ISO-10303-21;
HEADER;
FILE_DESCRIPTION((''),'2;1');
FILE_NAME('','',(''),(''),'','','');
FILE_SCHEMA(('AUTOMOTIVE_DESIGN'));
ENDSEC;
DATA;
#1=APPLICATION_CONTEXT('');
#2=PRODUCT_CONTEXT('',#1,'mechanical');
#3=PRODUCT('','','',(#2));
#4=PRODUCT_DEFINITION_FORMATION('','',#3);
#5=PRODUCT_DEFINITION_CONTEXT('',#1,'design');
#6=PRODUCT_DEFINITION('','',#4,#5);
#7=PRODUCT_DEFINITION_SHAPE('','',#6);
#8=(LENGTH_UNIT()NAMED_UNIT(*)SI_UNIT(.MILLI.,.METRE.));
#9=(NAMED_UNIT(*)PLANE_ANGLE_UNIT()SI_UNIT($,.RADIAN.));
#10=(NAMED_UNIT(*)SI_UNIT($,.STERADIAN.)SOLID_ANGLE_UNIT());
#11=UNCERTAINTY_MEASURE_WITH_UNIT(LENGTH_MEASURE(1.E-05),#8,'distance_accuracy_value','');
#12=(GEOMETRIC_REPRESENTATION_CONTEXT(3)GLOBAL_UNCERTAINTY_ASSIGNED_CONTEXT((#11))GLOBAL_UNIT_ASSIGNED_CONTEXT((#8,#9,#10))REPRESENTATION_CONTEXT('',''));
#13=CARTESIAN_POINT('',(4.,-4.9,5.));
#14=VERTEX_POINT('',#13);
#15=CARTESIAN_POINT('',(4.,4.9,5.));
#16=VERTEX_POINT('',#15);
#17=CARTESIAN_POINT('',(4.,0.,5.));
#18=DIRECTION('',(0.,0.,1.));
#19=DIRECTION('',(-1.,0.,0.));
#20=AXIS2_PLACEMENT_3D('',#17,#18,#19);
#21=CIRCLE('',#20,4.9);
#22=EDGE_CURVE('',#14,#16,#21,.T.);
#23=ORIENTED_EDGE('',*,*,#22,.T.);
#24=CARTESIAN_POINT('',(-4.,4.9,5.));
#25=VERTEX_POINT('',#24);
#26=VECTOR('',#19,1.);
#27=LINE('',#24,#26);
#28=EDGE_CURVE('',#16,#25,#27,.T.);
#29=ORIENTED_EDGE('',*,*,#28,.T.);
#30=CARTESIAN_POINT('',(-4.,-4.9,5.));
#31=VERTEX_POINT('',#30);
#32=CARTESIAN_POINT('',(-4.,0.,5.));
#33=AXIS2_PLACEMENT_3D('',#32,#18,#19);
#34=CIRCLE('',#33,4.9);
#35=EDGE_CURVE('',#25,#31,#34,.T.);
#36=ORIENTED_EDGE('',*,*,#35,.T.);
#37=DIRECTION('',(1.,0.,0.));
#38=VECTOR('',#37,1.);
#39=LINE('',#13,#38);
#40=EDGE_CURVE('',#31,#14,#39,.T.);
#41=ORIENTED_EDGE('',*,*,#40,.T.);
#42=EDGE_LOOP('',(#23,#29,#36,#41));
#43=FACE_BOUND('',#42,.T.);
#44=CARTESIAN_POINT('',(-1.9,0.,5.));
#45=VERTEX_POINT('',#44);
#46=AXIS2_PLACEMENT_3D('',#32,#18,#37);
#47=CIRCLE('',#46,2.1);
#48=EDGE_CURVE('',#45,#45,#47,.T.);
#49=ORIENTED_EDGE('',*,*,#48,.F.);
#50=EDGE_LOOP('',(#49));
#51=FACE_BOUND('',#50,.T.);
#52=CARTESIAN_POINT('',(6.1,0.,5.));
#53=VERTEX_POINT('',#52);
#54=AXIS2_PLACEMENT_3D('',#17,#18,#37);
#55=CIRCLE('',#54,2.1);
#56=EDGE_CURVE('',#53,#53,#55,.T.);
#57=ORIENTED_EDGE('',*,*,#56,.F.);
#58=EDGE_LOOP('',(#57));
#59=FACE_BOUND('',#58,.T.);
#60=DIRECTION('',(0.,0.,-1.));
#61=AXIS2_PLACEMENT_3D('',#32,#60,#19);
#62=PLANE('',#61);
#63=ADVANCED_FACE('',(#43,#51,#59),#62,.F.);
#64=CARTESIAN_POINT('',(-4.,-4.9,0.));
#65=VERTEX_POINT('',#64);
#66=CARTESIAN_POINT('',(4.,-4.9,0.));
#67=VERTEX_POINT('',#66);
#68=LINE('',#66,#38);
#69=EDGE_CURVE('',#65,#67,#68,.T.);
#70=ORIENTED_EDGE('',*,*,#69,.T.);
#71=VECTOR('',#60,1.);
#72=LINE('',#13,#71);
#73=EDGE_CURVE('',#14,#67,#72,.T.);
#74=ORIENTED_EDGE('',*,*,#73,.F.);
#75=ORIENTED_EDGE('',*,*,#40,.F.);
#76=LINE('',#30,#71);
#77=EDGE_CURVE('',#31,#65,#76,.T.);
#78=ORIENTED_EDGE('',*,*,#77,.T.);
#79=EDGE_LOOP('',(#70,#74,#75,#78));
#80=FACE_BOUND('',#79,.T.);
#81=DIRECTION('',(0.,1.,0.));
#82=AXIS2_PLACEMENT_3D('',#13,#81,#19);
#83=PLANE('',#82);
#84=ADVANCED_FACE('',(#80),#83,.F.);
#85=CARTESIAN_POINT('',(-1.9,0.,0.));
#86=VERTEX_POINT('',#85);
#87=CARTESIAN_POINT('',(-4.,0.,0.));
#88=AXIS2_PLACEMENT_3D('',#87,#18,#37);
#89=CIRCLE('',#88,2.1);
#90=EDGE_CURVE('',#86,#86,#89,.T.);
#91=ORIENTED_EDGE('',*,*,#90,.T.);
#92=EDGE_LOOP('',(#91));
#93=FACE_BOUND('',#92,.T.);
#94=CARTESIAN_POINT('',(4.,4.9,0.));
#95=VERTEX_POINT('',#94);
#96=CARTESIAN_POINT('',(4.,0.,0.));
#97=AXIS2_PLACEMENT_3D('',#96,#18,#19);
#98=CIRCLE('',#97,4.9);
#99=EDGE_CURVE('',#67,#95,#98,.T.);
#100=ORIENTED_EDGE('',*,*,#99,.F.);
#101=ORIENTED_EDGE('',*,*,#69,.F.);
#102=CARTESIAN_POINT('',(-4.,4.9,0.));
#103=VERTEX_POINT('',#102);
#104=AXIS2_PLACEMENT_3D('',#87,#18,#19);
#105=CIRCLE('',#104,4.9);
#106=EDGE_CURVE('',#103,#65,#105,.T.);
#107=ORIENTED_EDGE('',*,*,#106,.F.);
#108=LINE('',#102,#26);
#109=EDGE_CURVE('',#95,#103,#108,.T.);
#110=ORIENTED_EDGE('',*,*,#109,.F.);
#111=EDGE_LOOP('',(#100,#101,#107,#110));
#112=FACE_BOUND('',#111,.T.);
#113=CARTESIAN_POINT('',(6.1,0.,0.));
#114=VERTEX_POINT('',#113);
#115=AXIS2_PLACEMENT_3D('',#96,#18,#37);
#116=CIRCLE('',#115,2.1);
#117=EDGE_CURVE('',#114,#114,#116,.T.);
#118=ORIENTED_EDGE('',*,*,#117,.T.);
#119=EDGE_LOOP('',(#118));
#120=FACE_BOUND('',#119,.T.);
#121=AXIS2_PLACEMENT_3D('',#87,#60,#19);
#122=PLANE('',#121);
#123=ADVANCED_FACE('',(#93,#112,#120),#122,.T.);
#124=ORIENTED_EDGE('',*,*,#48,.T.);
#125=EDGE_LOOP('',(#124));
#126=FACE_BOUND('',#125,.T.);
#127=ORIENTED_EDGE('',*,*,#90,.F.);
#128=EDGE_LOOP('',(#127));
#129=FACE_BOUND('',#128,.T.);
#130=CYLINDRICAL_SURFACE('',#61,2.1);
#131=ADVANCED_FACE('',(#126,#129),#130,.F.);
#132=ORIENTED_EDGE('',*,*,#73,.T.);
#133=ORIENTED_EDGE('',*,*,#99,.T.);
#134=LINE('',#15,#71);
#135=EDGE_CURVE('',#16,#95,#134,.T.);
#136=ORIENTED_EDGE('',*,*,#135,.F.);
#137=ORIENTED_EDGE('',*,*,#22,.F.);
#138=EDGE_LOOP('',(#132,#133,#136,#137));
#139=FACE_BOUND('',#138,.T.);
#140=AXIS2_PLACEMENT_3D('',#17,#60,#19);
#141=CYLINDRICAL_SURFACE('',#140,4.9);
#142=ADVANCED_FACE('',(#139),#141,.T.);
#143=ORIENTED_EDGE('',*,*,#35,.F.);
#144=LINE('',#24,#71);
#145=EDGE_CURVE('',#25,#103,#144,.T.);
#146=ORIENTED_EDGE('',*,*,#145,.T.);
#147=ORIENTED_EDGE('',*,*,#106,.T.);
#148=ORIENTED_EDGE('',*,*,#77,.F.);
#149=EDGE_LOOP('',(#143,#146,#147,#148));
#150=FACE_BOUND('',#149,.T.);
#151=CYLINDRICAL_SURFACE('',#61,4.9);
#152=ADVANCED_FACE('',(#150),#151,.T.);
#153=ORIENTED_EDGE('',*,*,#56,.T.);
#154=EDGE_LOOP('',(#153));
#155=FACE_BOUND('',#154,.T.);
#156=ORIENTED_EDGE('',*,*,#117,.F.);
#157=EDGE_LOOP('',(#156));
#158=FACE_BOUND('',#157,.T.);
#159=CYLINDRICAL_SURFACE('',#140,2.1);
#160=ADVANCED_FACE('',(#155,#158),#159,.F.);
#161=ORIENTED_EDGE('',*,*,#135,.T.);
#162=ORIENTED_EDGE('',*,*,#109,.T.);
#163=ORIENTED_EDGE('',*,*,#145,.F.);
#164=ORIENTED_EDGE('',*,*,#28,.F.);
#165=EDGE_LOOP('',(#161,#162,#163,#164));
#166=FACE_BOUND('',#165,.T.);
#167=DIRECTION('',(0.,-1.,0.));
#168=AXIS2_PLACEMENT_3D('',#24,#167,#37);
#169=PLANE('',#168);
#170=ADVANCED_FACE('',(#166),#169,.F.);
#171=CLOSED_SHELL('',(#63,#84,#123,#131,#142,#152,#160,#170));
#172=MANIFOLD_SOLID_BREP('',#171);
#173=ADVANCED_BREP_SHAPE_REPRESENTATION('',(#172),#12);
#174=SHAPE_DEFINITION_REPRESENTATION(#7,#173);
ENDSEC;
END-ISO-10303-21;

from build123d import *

# Parameters (mm, degrees)
SKETCH1_R           = 2.1
BOSS_EXTRUDE1_DEPTH = 5


with BuildPart() as part:
    # Sketch1 → Boss-Extrude1 (new body)
    with BuildSketch(Plane.XY):
        with BuildLine():
            Line((-4, 4.9), (4, 4.9))
            ThreePointArc((4, 4.9), (8.9, 0), (4, -4.9))
            Line((4, -4.9), (-4, -4.9))
            ThreePointArc((-4, -4.9), (-8.9, 0), (-4, 4.9))
        make_face()
        with Locations((-4, 0)):
            Circle(SKETCH1_R, mode=Mode.SUBTRACT)
        with Locations((4, 0)):
            Circle(SKETCH1_R, mode=Mode.SUBTRACT)
    extrude(amount=BOSS_EXTRUDE1_DEPTH)


solid = part.part
